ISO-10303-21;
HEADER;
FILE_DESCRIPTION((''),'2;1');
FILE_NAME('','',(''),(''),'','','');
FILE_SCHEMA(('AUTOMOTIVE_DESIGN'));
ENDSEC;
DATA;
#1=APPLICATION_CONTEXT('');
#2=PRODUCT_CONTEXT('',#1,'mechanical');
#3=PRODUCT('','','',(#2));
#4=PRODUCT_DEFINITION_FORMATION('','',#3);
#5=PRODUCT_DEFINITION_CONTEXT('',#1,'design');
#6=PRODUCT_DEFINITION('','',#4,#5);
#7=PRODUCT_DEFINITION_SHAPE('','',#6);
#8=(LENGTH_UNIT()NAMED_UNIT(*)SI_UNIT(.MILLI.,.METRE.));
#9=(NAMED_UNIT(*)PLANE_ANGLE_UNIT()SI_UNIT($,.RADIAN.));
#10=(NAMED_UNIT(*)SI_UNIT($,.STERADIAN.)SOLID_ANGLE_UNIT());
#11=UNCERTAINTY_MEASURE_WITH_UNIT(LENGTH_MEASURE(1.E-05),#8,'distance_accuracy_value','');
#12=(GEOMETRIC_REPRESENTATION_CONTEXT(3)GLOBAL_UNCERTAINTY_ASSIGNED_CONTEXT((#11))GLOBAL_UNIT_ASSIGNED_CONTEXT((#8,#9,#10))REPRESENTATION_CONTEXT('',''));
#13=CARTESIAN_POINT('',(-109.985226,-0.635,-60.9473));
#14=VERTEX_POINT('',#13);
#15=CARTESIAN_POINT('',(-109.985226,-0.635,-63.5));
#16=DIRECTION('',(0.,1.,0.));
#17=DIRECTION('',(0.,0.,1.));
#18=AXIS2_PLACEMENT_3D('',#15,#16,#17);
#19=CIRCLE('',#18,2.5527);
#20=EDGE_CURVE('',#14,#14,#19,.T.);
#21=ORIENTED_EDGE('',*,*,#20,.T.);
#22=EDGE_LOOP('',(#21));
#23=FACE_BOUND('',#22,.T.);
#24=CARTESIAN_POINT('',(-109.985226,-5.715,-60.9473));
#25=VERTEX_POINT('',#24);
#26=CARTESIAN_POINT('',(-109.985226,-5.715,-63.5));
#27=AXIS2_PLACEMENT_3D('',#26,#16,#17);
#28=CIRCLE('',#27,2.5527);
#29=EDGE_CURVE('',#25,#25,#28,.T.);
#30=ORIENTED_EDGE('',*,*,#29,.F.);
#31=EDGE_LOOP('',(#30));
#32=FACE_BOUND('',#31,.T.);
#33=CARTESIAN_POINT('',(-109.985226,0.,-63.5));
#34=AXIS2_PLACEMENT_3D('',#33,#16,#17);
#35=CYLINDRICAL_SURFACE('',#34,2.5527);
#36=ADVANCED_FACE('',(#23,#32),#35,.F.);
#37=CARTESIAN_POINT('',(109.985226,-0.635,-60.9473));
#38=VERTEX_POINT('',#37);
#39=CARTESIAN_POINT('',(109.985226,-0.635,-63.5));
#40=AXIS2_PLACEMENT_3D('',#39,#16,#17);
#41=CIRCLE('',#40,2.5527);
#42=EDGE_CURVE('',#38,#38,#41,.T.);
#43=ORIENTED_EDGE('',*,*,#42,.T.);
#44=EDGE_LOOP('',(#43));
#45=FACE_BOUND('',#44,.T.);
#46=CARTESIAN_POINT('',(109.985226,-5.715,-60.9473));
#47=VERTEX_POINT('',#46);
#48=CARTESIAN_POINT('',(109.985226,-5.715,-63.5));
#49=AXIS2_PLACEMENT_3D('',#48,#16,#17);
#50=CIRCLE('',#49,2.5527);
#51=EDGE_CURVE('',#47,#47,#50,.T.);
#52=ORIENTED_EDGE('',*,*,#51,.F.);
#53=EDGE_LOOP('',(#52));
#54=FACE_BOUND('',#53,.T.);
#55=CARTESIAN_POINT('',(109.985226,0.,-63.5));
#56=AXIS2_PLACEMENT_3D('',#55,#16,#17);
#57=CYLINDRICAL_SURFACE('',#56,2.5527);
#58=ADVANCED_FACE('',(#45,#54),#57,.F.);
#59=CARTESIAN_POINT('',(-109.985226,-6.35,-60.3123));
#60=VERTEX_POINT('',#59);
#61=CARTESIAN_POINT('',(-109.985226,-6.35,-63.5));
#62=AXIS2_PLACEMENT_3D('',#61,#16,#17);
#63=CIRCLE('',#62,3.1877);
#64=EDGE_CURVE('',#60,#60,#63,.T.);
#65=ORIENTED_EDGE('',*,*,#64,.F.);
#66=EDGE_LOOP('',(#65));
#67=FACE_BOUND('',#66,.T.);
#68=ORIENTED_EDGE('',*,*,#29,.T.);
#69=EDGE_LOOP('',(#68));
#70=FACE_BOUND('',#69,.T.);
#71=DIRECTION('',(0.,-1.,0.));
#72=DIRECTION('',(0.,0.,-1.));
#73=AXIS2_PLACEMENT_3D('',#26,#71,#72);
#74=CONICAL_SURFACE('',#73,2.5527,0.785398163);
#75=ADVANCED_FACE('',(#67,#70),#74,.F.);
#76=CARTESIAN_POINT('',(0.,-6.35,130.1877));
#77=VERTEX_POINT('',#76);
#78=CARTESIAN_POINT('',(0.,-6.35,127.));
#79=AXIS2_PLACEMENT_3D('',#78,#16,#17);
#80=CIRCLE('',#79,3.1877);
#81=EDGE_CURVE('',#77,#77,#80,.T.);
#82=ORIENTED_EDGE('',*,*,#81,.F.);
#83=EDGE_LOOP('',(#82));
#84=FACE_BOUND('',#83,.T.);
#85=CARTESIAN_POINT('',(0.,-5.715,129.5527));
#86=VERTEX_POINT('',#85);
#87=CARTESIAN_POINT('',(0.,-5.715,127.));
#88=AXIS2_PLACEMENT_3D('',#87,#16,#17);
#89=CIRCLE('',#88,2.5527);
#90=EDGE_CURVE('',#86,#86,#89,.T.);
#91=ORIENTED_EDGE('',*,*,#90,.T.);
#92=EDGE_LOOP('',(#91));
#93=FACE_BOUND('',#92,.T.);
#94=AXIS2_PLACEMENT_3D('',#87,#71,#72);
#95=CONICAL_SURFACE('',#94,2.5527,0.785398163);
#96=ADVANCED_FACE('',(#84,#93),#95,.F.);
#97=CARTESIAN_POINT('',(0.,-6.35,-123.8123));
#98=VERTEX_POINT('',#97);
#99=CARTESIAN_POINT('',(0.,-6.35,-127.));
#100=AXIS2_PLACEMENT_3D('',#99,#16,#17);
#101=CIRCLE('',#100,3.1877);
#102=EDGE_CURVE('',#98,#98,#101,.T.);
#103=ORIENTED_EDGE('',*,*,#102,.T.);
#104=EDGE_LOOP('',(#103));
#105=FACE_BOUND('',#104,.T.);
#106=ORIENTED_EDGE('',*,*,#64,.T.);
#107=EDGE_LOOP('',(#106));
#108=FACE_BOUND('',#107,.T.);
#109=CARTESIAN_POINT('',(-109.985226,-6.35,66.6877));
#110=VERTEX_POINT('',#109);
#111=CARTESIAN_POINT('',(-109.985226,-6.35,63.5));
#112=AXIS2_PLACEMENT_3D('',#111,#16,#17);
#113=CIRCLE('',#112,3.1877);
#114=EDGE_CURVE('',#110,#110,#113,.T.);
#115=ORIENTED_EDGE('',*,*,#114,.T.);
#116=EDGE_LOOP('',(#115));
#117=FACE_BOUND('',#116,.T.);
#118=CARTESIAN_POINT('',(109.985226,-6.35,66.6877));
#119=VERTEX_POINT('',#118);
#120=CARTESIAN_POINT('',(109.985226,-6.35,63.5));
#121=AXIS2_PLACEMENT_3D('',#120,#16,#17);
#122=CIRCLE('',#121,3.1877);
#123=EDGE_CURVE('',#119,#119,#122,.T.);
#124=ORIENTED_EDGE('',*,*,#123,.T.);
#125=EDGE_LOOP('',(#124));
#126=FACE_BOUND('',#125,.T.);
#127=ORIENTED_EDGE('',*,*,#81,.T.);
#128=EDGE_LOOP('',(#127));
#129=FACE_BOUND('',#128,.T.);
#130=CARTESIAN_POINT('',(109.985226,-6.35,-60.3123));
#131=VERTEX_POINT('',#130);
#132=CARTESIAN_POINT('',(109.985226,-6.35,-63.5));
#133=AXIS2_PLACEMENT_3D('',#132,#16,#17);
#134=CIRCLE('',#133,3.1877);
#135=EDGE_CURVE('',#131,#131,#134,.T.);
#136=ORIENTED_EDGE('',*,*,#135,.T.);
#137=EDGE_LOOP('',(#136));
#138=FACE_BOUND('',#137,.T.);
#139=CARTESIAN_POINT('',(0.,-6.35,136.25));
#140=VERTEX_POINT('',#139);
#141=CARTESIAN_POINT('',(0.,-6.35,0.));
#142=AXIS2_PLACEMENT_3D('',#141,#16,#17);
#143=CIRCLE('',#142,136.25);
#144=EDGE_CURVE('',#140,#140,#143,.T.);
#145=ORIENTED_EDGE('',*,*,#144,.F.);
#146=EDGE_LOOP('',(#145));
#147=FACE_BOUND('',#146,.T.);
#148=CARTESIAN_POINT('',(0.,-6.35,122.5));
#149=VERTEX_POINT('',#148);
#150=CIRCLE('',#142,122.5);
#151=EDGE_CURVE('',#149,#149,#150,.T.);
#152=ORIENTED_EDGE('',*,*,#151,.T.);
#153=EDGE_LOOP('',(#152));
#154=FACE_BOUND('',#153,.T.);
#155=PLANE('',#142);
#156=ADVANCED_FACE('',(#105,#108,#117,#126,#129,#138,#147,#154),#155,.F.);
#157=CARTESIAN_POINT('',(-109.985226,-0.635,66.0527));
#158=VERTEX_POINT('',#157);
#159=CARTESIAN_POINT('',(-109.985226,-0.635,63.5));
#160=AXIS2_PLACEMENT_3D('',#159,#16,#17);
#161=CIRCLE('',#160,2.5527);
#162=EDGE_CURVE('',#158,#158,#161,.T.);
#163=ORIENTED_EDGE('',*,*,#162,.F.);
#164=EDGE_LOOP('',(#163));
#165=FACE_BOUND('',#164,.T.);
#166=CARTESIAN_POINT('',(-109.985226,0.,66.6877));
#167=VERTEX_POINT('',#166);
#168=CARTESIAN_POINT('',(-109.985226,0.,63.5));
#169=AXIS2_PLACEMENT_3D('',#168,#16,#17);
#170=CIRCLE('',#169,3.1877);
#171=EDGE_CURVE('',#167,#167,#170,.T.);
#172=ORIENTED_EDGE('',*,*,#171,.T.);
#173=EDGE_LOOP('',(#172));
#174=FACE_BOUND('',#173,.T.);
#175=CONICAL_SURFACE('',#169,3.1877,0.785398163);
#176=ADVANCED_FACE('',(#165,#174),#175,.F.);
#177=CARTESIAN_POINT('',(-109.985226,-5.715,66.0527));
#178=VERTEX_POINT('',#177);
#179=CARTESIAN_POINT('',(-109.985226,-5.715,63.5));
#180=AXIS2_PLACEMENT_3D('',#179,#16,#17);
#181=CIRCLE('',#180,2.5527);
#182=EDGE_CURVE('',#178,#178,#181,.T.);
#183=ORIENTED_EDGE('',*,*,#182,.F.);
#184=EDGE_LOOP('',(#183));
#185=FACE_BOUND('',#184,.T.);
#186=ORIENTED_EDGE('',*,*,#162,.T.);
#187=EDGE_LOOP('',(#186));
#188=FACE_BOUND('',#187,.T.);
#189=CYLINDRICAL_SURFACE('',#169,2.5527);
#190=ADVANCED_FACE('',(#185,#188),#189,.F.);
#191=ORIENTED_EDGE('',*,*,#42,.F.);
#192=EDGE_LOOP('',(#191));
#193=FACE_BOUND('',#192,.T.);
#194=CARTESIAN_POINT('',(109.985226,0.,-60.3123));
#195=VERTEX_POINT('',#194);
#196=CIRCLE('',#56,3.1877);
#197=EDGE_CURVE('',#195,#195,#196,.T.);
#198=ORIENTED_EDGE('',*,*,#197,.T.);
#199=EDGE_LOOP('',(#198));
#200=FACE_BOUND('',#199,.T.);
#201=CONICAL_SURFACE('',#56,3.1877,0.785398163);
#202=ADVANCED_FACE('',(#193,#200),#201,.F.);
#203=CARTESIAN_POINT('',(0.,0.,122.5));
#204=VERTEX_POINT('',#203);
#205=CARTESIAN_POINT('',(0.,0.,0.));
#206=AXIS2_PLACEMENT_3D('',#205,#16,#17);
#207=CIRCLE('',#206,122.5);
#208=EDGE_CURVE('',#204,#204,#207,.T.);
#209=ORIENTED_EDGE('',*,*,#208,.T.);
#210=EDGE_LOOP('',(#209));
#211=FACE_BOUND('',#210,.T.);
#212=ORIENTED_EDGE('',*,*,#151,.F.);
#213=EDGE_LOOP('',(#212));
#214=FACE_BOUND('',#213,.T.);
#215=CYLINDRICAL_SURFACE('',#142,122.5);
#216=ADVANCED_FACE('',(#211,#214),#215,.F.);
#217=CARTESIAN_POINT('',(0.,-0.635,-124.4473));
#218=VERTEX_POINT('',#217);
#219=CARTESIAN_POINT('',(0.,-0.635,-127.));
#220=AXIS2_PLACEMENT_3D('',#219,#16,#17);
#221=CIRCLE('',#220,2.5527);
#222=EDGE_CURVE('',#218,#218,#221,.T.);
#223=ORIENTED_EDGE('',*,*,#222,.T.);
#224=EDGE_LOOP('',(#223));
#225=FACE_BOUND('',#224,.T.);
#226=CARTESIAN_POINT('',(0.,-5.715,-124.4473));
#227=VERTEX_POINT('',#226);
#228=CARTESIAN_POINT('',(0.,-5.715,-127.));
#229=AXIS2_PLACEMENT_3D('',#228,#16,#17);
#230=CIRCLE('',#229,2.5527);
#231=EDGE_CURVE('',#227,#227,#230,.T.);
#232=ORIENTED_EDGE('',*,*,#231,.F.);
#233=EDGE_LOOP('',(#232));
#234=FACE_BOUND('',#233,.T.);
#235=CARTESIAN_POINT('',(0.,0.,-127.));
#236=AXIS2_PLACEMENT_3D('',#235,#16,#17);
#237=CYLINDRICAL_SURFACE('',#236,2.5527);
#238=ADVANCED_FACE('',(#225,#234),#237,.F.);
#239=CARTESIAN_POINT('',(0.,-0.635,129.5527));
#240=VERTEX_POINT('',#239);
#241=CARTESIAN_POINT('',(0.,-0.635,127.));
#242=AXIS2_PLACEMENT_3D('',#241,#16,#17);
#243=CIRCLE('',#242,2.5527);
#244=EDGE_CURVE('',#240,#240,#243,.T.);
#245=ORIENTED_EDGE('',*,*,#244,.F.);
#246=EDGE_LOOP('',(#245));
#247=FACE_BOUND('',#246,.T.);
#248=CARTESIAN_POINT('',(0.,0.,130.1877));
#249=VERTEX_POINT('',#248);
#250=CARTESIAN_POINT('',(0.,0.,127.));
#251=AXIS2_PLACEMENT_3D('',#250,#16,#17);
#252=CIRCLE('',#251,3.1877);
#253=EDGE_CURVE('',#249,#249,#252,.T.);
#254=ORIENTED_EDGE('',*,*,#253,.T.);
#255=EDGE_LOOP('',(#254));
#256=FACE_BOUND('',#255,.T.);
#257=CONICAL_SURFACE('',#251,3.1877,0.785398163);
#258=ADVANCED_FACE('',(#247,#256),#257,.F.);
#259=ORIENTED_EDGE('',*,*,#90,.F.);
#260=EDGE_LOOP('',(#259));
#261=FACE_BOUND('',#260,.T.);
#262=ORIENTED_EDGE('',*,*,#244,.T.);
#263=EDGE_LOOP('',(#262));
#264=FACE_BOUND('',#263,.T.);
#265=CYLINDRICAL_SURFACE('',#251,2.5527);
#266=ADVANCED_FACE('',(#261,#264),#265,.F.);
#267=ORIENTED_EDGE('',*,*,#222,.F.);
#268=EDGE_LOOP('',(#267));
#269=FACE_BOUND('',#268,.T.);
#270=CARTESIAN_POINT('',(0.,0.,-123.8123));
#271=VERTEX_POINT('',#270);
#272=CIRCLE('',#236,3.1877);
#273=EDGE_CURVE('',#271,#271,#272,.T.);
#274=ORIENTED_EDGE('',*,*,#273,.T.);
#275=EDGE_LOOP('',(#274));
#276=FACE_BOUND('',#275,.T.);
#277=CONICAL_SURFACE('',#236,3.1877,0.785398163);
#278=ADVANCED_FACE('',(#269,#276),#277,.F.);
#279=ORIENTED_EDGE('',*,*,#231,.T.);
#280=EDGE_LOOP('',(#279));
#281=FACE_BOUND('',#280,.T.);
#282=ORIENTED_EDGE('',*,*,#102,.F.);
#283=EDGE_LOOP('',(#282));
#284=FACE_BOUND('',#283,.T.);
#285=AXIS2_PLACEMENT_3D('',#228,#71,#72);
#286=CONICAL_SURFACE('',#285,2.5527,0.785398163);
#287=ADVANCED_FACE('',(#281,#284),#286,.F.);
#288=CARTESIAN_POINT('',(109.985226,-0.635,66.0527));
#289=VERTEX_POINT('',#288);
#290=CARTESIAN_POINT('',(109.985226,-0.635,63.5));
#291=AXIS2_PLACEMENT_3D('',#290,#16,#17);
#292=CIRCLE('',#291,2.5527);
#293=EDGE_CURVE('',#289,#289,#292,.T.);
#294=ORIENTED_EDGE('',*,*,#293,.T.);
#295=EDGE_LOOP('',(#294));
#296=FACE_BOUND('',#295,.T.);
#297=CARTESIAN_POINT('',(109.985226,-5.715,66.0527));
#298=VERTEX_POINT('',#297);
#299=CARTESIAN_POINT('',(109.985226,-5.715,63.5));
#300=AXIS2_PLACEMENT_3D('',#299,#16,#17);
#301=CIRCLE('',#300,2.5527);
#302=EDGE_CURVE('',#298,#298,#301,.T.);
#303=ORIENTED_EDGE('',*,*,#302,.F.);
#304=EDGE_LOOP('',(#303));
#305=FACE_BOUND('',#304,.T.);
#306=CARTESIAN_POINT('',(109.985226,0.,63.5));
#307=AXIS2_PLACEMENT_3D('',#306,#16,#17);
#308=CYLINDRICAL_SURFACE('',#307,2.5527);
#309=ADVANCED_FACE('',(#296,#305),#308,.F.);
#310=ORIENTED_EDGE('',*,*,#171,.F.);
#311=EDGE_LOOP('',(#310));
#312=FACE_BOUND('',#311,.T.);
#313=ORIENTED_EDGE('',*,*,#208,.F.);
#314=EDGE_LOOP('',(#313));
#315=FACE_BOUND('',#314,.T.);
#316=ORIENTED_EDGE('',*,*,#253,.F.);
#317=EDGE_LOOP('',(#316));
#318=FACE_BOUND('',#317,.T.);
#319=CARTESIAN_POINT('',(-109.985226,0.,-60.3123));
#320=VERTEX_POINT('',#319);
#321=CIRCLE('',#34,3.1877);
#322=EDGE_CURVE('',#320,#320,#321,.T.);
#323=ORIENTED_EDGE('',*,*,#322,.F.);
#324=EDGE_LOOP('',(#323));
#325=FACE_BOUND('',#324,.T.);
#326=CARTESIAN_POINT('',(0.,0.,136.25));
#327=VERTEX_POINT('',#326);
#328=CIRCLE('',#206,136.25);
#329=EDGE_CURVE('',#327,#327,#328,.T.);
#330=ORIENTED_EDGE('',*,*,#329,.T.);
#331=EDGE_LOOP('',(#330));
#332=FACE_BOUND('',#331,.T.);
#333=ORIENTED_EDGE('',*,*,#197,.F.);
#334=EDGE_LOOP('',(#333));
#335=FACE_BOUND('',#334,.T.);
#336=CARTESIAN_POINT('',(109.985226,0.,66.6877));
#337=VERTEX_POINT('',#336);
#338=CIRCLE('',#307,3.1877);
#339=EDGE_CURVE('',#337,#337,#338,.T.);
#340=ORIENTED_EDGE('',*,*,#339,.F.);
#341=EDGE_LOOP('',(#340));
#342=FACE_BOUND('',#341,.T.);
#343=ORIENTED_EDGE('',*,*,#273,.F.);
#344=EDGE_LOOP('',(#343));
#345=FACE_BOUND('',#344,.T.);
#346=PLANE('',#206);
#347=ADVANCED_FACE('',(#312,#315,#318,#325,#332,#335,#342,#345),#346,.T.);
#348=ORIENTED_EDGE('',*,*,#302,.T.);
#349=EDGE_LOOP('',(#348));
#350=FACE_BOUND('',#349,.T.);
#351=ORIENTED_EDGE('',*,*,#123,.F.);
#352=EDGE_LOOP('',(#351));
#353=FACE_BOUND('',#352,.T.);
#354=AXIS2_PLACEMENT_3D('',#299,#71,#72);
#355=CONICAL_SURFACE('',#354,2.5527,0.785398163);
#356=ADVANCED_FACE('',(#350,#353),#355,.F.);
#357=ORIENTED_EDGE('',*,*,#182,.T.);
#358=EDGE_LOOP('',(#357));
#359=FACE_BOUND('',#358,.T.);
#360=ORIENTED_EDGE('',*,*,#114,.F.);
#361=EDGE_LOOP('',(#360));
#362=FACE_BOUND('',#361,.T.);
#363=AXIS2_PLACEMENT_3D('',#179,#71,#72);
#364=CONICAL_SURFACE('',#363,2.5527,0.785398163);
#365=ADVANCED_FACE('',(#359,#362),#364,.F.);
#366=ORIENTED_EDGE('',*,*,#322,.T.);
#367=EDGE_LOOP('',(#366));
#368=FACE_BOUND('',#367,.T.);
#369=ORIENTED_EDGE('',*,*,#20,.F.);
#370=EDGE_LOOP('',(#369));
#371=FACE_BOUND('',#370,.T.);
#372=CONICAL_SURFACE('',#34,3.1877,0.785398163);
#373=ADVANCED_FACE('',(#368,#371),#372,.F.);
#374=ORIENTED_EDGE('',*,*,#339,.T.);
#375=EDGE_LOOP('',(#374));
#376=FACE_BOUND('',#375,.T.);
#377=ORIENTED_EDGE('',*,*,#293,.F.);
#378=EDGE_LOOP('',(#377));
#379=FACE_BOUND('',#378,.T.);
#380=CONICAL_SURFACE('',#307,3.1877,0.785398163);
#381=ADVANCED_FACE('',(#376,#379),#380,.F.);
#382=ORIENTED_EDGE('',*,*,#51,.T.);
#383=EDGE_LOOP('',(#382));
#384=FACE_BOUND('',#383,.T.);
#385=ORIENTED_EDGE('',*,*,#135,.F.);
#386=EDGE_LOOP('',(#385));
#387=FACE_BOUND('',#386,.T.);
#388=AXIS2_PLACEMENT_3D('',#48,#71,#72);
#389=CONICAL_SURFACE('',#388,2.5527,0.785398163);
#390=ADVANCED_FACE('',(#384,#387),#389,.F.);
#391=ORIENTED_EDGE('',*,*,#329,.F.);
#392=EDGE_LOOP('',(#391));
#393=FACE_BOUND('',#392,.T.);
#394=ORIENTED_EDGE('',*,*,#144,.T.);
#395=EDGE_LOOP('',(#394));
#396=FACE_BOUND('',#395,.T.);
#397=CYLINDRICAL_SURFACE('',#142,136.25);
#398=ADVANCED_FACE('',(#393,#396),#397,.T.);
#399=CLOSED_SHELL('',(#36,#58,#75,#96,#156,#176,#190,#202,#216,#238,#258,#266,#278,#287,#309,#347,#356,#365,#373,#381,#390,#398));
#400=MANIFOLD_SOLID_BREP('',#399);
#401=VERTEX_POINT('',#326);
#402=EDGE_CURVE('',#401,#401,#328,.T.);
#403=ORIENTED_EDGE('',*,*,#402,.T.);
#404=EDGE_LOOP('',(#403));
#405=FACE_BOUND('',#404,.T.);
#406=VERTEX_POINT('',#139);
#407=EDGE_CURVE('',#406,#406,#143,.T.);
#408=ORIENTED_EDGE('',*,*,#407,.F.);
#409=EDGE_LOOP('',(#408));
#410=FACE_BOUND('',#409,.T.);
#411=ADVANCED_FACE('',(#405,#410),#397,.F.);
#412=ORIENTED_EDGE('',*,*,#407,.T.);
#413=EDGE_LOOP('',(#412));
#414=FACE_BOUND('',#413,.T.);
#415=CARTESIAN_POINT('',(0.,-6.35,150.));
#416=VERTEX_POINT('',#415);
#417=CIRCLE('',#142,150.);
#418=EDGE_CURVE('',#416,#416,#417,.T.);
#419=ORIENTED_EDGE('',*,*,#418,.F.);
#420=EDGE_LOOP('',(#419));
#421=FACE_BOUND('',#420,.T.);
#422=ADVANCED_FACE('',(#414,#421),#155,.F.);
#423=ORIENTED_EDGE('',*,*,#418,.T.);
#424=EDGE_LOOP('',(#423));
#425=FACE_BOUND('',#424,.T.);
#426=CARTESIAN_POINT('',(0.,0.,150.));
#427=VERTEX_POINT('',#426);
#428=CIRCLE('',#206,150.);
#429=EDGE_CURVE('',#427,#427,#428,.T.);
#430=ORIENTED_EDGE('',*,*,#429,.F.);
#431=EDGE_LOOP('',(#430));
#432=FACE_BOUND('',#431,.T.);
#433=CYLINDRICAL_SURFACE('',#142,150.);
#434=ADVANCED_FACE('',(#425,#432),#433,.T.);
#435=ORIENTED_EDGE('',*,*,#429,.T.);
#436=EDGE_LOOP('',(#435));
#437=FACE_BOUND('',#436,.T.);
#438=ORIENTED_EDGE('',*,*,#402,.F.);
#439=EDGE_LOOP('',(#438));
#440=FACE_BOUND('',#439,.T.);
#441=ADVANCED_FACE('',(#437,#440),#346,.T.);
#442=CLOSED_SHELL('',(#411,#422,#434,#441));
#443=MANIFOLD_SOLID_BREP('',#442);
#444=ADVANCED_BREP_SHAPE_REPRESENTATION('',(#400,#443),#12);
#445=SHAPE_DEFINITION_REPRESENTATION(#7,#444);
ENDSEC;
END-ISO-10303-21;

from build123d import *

# Parameters (mm, degrees)
SKETCH1_R                       = 150
SKETCH1_R_2                     = 136.25
BOSS_EXTRUDE1_DEPTH             = 6.35
SKETCH1_3_R                     = 136.25
SKETCH1_3_R_2                   = 122.5
BOSS_EXTRUDE2_DEPTH             = 6.35
F_10_CLEARANCE_HOLE1_AT_2_COUNT = 2
F_10_CLEARANCE_HOLE1_AT_2_PITCH = 127
F_10_CLEARANCE_HOLE1_AT_3_COUNT = 2
F_10_CLEARANCE_HOLE1_AT_3_PITCH = 219.970452561
F_10_CLEARANCE_HOLE1_AT_4_COUNT = 2
F_10_CLEARANCE_HOLE1_AT_4_PITCH = 254
F_10_CLEARANCE_HOLE1_AT_5_COUNT = 2
F_10_CLEARANCE_HOLE1_AT_5_PITCH = 219.970452561
F_10_CLEARANCE_HOLE1_AT_6_COUNT = 2
F_10_CLEARANCE_HOLE1_AT_6_PITCH = 127


with BuildPart() as part:
    # Sketch1 → Boss-Extrude1 (new body)
    with BuildSketch(Plane(origin=(0, 0, 0), x_dir=(1, 0, 0), z_dir=(0, 1, 0))):
        Circle(SKETCH1_R)
        Circle(SKETCH1_R_2, mode=Mode.SUBTRACT)
    extrude(amount=-BOSS_EXTRUDE1_DEPTH)


with BuildPart() as body_2:
    # Sketch1<3> → Boss-Extrude2 (new body)
    with BuildSketch(Plane(origin=(0, 0, 0), x_dir=(1, 0, 0), z_dir=(0, 1, 0))):
        Circle(SKETCH1_3_R)
        Circle(SKETCH1_3_R_2, mode=Mode.SUBTRACT)
    extrude(amount=-BOSS_EXTRUDE2_DEPTH)

    # Sketch3 → #10 Clearance Hole1 (revolve, cut)
    with BuildSketch(Plane(origin=(-109.985226281, 0, -63.5), x_dir=(0, 0, 1), z_dir=(1, 0, 0))):
        Polygon((0, 0), (0, 6.35), (3.1877, 6.35), (2.5527, 5.715), (2.5527, 0.635), (3.1877, 0), align=None)
    f_10_clearance_hole1 = revolve(axis=Axis((-109.985226281, 6.35, -63.5), (0, -1, 0)), mode=Mode.SUBTRACT)

    # #10 Clearance Hole1 at 2: #10 Clearance Hole1 ×2
    with Locations(*[Vector(0.8660254037844387, 0, -0.5) * (i * F_10_CLEARANCE_HOLE1_AT_2_PITCH) for i in range(1, F_10_CLEARANCE_HOLE1_AT_2_COUNT)]):
        add(f_10_clearance_hole1, mode=Mode.SUBTRACT)

    # #10 Clearance Hole1 at 3: #10 Clearance Hole1 ×2
    with Locations(*[(i * F_10_CLEARANCE_HOLE1_AT_3_PITCH, 0, 0) for i in range(1, F_10_CLEARANCE_HOLE1_AT_3_COUNT)]):
        add(f_10_clearance_hole1, mode=Mode.SUBTRACT)

    # #10 Clearance Hole1 at 4: #10 Clearance Hole1 ×2
    with Locations(*[Vector(0.8660254037844387, 0, 0.49999999999999994) * (i * F_10_CLEARANCE_HOLE1_AT_4_PITCH) for i in range(1, F_10_CLEARANCE_HOLE1_AT_4_COUNT)]):
        add(f_10_clearance_hole1, mode=Mode.SUBTRACT)

    # #10 Clearance Hole1 at 5: #10 Clearance Hole1 ×2
    with Locations(*[Vector(0.5, 0, 0.8660254037844387) * (i * F_10_CLEARANCE_HOLE1_AT_5_PITCH) for i in range(1, F_10_CLEARANCE_HOLE1_AT_5_COUNT)]):
        add(f_10_clearance_hole1, mode=Mode.SUBTRACT)

    # #10 Clearance Hole1 at 6: #10 Clearance Hole1 ×2
    with Locations(*[(0, 0, i * F_10_CLEARANCE_HOLE1_AT_6_PITCH) for i in range(1, F_10_CLEARANCE_HOLE1_AT_6_COUNT)]):
        add(f_10_clearance_hole1, mode=Mode.SUBTRACT)


solid = Compound([part.part, body_2.part])
